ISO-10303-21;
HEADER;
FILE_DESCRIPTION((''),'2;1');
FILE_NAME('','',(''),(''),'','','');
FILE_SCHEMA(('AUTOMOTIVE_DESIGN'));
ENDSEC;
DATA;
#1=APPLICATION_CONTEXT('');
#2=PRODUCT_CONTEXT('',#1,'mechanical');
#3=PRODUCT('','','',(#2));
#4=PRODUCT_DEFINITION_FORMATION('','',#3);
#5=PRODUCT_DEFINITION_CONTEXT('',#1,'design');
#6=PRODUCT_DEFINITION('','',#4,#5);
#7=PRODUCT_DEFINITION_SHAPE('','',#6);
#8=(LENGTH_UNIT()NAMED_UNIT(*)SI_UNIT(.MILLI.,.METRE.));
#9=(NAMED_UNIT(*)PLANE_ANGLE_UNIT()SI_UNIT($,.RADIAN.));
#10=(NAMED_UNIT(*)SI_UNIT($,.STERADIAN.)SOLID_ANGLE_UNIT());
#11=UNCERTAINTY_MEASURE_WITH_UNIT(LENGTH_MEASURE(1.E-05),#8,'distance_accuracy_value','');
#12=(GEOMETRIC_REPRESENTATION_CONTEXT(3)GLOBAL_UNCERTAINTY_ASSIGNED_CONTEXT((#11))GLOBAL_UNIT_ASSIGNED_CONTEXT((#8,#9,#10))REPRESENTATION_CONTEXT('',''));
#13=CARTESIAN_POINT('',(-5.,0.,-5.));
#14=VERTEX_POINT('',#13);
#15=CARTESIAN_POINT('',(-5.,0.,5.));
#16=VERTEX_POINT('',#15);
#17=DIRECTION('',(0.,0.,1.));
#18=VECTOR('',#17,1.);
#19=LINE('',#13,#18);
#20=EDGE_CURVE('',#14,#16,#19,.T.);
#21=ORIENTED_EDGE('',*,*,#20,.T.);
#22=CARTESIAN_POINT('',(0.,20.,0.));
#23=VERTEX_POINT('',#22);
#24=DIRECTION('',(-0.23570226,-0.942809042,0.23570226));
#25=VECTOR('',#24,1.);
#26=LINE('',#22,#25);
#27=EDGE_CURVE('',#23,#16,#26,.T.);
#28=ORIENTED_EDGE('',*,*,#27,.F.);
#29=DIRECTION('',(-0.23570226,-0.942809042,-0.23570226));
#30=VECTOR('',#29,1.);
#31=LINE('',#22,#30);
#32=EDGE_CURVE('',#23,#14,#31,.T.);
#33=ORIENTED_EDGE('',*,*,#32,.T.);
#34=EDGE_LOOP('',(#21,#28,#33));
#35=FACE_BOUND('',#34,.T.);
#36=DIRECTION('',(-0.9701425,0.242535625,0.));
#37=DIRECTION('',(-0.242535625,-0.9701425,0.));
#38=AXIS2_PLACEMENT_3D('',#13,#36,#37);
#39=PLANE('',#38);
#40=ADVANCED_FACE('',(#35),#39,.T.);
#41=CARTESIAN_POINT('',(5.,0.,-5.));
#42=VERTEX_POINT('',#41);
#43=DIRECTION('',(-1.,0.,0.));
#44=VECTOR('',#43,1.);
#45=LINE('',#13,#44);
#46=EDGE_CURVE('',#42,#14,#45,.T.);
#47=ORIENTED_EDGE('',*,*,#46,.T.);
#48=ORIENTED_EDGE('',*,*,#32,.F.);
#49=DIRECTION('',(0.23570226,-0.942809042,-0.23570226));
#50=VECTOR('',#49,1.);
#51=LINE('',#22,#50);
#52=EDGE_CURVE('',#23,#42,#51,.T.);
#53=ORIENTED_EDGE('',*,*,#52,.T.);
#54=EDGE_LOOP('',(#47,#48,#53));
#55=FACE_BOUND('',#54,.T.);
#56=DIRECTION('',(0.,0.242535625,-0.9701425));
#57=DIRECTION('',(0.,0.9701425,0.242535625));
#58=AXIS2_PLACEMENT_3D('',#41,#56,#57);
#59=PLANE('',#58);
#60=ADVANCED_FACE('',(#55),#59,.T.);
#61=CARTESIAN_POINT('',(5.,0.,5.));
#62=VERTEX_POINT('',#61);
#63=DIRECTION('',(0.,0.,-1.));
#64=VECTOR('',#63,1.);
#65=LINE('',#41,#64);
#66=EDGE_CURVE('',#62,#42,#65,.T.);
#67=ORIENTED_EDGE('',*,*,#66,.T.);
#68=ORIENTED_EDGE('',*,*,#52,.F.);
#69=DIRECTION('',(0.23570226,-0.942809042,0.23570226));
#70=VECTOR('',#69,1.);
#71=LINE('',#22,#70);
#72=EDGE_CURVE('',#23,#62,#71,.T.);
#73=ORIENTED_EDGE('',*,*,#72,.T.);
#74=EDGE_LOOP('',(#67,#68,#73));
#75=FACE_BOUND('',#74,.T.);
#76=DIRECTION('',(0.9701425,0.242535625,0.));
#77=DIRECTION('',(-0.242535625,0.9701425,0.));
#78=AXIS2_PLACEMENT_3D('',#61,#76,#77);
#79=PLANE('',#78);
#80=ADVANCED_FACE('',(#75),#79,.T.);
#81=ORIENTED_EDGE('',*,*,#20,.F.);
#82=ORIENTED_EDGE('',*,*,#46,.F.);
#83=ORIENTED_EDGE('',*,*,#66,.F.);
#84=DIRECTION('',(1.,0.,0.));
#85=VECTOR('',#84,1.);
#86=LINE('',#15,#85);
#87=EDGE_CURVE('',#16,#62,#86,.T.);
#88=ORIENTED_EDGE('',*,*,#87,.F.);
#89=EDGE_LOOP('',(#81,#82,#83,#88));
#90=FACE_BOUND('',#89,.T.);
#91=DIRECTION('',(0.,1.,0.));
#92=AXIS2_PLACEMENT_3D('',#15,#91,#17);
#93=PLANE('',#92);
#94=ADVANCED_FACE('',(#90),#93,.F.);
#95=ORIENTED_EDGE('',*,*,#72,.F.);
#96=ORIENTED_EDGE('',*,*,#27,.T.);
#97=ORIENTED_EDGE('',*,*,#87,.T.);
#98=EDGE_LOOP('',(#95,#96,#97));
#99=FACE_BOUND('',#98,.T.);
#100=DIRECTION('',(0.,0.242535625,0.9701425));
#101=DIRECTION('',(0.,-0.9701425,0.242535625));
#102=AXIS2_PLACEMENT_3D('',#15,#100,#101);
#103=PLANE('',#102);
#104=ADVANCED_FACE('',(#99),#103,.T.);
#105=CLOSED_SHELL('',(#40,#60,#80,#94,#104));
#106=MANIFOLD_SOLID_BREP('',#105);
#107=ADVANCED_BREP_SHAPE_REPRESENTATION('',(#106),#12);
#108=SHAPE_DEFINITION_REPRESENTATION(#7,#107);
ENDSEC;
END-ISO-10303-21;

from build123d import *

# Parameters (mm, degrees)
SKETCH1_W = 10
SKETCH1_H = 10


with BuildPart() as part:
    # Sketch1 → Loft1 section 0
    with BuildSketch(Plane(origin=(0, 0, 0), x_dir=(1, 0, 0), z_dir=(0, 1, 0)), mode=Mode.PRIVATE) as loft1_s0:
        Rectangle(SKETCH1_W, SKETCH1_H)
    loft([Vertex(0, 20, 0), loft1_s0.sketch])


solid = part.part
